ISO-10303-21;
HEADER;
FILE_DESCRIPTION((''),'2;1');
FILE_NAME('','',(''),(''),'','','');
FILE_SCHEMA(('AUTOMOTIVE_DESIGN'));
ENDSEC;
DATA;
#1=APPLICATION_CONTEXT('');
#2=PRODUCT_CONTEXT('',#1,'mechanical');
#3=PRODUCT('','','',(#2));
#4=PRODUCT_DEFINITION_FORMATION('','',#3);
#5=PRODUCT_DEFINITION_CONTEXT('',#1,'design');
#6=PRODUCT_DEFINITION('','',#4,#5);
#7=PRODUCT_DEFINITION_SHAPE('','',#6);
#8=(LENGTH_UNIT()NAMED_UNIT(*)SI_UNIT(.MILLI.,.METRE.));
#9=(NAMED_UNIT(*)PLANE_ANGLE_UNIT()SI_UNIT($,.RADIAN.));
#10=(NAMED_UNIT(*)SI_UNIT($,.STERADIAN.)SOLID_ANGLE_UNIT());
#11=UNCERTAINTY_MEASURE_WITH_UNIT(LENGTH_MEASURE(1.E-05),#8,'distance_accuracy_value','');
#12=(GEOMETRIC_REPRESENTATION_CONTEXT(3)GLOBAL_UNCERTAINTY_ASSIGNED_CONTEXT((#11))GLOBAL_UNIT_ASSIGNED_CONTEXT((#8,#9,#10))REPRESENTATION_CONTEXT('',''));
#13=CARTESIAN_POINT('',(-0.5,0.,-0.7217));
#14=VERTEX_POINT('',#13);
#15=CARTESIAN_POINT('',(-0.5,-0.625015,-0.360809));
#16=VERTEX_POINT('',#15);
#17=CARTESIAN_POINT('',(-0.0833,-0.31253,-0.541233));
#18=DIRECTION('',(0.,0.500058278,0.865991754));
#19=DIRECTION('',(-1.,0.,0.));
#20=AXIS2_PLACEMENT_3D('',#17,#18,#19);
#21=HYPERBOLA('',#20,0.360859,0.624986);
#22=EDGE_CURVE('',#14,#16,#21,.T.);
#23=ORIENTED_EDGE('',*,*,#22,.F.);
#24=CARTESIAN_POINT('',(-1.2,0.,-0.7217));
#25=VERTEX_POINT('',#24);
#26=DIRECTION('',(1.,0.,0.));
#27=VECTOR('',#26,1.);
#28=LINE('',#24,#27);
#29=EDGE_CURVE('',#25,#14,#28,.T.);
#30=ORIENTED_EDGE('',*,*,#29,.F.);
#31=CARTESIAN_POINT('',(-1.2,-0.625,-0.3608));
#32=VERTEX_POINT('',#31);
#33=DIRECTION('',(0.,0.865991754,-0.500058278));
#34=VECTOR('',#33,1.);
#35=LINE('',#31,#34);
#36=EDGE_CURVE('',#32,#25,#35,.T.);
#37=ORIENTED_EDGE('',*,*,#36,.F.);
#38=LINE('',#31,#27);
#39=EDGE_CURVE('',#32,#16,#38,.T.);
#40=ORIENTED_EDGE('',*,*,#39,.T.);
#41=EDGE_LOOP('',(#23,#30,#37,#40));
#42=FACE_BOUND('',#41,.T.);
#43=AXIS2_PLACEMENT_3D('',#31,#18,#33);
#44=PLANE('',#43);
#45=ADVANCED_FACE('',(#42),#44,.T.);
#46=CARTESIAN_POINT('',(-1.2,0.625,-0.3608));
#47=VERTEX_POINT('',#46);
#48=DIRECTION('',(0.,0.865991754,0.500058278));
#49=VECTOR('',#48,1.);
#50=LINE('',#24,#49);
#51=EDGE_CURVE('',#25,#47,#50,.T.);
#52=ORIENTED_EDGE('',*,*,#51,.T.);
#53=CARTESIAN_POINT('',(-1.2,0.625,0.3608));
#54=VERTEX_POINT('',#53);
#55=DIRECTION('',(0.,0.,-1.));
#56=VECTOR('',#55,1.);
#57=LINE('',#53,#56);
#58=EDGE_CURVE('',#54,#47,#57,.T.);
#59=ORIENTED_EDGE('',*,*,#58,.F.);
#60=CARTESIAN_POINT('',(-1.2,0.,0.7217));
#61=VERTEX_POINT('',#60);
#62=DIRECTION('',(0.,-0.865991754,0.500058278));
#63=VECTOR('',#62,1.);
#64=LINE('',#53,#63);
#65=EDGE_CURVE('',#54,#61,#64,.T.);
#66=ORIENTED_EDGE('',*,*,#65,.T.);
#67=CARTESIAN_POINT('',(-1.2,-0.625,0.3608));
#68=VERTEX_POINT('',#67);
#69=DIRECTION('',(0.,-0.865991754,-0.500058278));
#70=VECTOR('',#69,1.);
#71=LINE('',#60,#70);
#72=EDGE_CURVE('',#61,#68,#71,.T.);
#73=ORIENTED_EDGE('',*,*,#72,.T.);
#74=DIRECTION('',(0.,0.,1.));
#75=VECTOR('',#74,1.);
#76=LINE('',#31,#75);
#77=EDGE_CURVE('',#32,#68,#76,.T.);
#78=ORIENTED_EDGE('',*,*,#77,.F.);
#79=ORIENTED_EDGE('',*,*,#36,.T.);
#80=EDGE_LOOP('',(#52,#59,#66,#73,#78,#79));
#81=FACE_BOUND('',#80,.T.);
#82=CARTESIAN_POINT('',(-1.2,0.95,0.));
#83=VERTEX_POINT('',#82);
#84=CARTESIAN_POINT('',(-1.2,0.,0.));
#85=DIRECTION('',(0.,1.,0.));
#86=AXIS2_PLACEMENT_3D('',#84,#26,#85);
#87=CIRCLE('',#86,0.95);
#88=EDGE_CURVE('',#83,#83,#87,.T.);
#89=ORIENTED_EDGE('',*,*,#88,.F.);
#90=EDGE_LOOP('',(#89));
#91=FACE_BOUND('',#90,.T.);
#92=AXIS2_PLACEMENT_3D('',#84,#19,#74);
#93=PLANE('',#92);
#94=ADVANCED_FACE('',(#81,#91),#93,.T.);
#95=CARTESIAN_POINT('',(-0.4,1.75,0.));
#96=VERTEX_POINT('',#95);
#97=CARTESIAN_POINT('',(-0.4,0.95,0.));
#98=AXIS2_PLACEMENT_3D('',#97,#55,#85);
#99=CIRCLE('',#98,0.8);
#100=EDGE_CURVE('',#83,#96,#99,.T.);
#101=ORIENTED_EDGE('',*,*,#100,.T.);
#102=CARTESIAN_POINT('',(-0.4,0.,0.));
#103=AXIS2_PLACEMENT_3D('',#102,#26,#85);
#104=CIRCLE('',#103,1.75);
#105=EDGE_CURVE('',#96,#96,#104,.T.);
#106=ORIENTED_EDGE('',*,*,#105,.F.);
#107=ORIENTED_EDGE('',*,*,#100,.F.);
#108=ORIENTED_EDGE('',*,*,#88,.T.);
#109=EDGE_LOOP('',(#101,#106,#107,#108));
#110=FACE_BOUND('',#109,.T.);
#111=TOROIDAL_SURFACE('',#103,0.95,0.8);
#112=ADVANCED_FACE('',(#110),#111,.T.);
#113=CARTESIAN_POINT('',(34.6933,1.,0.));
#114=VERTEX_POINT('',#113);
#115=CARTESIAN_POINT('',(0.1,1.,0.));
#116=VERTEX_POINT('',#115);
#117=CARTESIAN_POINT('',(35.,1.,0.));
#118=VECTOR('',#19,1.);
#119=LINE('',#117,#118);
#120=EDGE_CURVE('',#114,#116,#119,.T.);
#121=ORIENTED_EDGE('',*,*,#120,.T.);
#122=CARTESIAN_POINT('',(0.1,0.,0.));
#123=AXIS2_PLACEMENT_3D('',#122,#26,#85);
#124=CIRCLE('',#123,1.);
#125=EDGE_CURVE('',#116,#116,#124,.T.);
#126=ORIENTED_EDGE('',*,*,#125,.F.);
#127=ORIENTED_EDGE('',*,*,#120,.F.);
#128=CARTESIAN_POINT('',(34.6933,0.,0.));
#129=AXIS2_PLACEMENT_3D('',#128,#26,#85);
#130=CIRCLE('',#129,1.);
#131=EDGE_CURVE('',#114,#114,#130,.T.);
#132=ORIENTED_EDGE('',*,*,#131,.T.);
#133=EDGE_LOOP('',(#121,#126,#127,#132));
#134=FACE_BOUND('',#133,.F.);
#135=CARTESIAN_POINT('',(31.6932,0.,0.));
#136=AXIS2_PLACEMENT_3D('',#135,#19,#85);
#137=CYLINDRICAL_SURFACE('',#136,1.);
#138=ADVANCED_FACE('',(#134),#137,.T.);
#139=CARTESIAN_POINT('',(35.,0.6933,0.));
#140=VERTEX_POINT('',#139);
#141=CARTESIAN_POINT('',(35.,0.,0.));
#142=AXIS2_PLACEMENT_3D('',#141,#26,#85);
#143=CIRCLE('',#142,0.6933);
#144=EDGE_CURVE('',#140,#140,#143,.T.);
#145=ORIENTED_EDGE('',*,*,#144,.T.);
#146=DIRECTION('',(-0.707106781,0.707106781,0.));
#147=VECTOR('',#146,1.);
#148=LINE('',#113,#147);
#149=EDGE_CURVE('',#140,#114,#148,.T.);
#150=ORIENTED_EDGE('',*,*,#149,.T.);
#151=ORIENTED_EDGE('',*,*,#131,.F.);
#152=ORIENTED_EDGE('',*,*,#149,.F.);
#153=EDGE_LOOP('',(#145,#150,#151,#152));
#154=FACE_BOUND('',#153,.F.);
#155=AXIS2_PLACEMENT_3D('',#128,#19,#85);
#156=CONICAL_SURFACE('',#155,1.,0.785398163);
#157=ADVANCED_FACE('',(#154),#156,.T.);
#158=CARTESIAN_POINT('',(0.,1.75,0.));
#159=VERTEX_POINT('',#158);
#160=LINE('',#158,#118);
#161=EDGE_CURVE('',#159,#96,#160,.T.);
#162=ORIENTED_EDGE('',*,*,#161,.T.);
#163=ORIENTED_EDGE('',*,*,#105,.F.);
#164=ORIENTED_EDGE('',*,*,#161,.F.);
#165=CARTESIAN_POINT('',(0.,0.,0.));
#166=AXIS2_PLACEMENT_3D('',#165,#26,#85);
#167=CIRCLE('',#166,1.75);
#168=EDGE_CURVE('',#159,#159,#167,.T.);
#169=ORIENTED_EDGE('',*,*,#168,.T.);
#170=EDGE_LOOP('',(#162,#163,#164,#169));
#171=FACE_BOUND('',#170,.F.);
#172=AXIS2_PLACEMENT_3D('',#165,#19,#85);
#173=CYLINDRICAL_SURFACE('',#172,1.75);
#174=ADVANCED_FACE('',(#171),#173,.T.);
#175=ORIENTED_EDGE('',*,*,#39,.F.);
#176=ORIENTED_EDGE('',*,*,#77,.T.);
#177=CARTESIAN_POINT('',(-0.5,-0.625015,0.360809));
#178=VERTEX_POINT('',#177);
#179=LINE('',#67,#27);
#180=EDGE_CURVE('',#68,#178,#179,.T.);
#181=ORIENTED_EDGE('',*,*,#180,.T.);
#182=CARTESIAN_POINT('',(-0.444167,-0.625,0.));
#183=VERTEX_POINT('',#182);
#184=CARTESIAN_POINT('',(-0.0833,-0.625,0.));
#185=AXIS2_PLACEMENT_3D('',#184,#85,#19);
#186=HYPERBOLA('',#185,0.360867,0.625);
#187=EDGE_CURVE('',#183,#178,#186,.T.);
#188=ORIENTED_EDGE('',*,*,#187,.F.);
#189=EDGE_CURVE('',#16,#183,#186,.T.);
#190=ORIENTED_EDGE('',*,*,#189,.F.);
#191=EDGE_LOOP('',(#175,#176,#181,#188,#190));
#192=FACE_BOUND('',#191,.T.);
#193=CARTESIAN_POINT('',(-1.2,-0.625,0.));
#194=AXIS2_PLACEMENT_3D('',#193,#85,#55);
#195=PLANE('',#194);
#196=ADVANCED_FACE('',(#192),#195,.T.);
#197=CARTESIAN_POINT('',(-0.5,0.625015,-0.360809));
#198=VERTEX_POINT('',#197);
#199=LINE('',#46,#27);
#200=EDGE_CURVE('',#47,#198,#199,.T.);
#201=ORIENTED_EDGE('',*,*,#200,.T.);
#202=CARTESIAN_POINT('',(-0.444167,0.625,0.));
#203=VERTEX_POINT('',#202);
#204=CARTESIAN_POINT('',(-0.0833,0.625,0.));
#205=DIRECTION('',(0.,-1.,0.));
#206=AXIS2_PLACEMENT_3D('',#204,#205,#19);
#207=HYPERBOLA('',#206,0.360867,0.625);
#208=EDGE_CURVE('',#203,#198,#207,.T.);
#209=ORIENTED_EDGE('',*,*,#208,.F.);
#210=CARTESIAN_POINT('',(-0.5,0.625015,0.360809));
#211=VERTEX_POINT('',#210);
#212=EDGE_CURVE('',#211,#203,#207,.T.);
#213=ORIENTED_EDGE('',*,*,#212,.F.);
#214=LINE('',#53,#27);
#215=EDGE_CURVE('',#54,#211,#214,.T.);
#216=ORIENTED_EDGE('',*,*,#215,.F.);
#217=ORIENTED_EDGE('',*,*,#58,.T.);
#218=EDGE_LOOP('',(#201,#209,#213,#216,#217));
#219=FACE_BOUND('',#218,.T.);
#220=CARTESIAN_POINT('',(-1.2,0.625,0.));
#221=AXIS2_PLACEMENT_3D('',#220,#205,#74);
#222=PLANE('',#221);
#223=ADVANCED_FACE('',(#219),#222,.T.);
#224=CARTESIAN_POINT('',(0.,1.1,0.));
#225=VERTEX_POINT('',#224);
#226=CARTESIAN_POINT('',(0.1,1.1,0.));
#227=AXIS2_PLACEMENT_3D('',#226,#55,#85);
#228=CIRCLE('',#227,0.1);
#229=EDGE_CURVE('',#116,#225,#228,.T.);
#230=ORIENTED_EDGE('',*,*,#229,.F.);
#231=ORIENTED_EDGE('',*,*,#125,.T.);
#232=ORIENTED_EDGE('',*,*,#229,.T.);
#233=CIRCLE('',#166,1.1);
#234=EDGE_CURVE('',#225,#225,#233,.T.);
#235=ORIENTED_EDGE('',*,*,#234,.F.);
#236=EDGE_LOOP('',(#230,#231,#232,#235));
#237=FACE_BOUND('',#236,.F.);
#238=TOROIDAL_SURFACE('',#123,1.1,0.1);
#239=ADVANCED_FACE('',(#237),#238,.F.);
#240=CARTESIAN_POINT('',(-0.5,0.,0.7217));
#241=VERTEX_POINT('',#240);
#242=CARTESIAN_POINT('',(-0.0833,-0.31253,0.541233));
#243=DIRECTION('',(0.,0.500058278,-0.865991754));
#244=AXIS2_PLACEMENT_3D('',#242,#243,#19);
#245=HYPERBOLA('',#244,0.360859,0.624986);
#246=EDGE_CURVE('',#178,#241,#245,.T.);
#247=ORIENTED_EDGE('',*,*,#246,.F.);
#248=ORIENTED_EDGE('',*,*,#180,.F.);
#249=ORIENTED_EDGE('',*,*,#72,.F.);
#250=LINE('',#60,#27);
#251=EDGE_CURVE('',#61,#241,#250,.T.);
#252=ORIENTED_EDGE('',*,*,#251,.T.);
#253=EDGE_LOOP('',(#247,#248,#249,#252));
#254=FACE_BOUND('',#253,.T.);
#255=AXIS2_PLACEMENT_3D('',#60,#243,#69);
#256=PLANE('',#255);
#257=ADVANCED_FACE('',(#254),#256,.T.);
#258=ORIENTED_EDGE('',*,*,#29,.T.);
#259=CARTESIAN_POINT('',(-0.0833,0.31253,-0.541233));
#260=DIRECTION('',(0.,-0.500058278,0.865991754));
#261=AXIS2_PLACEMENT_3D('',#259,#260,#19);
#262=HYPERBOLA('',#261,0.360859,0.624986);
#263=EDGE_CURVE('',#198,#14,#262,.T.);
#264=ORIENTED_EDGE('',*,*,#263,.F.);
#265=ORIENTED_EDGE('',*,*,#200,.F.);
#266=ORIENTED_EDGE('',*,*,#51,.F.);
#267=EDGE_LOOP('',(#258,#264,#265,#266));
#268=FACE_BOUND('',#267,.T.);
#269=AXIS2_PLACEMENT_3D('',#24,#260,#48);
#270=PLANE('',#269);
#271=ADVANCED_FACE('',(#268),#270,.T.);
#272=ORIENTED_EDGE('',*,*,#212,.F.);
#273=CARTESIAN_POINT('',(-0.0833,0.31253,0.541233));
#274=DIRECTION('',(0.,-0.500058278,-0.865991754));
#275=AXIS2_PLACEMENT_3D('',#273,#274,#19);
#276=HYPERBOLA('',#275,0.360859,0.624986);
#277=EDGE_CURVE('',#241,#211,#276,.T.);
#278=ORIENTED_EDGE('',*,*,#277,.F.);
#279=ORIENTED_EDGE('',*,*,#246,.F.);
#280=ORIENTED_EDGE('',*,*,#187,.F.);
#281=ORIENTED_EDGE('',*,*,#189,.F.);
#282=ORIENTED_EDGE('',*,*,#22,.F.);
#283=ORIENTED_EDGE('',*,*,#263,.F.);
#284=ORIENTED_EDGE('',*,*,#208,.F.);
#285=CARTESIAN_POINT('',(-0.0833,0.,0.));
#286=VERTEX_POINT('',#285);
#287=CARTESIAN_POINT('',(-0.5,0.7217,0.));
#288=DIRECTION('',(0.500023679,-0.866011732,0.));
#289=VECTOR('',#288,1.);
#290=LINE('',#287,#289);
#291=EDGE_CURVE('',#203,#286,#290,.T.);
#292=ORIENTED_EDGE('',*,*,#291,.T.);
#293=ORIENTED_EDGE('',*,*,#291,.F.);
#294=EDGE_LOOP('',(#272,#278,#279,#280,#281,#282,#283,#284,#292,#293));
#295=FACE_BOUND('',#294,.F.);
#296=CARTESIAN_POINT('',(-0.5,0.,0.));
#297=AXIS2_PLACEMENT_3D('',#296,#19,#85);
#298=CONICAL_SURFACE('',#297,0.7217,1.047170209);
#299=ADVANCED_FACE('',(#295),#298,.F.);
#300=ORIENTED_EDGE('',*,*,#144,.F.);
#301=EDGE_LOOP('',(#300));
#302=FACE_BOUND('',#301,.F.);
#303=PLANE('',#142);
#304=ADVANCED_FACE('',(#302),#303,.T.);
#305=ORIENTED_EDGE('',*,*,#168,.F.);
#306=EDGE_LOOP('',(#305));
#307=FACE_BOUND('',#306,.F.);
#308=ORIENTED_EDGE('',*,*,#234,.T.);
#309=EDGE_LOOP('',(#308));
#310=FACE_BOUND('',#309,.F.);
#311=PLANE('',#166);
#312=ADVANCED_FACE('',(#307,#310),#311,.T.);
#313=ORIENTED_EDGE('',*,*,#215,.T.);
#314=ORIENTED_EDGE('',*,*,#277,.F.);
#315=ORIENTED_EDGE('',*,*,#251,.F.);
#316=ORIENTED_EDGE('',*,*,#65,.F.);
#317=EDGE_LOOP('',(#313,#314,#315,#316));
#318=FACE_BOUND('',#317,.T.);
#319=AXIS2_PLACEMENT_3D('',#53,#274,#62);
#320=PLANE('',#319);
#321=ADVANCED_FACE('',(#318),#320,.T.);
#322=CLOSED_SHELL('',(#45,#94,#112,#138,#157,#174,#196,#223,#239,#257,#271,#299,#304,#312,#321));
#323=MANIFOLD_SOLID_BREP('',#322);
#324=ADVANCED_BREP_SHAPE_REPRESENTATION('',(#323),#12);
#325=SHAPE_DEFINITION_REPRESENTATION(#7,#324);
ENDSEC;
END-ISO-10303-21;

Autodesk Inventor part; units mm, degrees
ref_plane "YZ Plane" through (0, 0, 0) normal (1, 0, 0) x (0, 1, 0)
ref_plane "XZ Plane" through (0, 0, 0) normal (0, 1, 0) x (-1, 0, 0)
sketch "Sketch1" plane through (0, 0, 0) normal (0, 0, 1) x (1, 0, 0)
  line L0 (-0.0833, 0) -> (35, 0)
  line L1 (35, 0) -> (35, 1)
  line L2 (35, 1) -> (32, 1)
  line L3 (32, 1) -> (31.6932, 1)
  line L4 (31.6932, 1) -> (0, 1)
  line L5 (0, 1) -> (0, 1.75)
  line L6 (0, 1.75) -> (-1.2, 1.75)
  line L7 (-1.2, 1.75) -> (-1.2, 0.7217)
  line L8 (-1.2, 0.7217) -> (-0.5, 0.7217)
  line L9 (-0.5, 0.7217) -> (-0.0833, 0)
  line L10 (-8.44, 0) -> (42.24, 0) projected
  line L11 (0, -0.35) -> (0, 2.1) projected
  line L12 (32, 1) -> (0, 1) construction
  dimension "d1" = 3
  dimension "d2" = 0.3068
  dimension "d3" = 1.2
  dimension "d4" = 0.7
  dimension "d5" = 60
  dimension "d6" = 2
  dimension "d7" = 2
  dimension "d8" = 1.4434
  dimension "d9" = 3.5
  dimension "d26" = 35
revolve "Body" add sketch "Sketch1" angle 360 about axis through (-0.0833, 0, 0) along (1, 0, 0)
sketch "Sketch2" plane through (-1.2, 0, 0) normal (-1, 0, 0) x (0, 0, 1)
  circle A0 centre (0, 0) radius 0.7217 projected
  line L0 (0, -2.45) -> (0, 2.45) projected
  line L1 (-2.45, 0) -> (2.45, 0) projected
  line L2 (0.7217, 0) -> (0.3608, -0.625)
  line L3 (0.3608, -0.625) -> (-0.3608, -0.625)
  line L4 (-0.3608, -0.625) -> (-0.7217, 0)
  line L5 (-0.7217, 0) -> (-0.3608, 0.625)
  line L6 (-0.3608, 0.625) -> (0.3608, 0.625)
  line L7 (0.3608, 0.625) -> (0.7217, 0)
extrude "Slot" add sketch "Sketch2" against normal up to next contours L7 A0 | A0 L2 | L6 L0 A0 | A0 L0 L3 | L0 L6 A0 | A0 L3 L0 | L4 A0 | A0 L5
fillet "Fillet1" radius 0.8 1 edges at (-1.2, -1.75, 0)
chamfer "Chamfer1" distance 0.3067 distance2 0.3067 1 edges at (35, -1, 0) measured on face at (35, 0.3333, 0.4421)
ref_plane "Work Plane1" through (29, 0, 0) normal (0, -1, 0) x (1, 0, 0)
fillet "Fillet2" radius 0.1 1 edges at (0, -1, 0)
thread "Thread2" size "M2x0.4" class "6g" standard "ANSI Metric M Profile" full length
equation "\"d15\" = -0.5 * SPD + 0.5 * GD"
equation "\"d16\" = GUL"
equation "\"GD\" = NND"
equation "\"NLG\" = 6"
equation "\"GEL\" = 4.5"
equation "\"KOD\" = 5.7"
equation "\"KOH\" = 1.65"
equation "\"INTI\" = 1.04"
equation "\"GAL\" = 0.61345 * PTC"
equation "\"GUL\" = 0.61345 * PTC"
equation "\"BDM\" = NND"
equation "\"SW\" = 2"
equation "\"RR\" = 1.45"
equation "\"SPD\" = NND - 1.2269 * PTC"
equation "\"R\" = 0.3"
equation "\"TOA\" = 30deg"
equation "\"GD1\" = THREADDIA - 1.2269 * PTC"
equation "\"THREADDIA\" = 3"
equation "\"PTC\" = 0.5"
equation "\"NND\" = 3"
equation "\"KOH1\" = 0.2"
equation "\"E0\" = 2.303"
properties part number "M2x35 Bolt" material "Stainless Steel"
